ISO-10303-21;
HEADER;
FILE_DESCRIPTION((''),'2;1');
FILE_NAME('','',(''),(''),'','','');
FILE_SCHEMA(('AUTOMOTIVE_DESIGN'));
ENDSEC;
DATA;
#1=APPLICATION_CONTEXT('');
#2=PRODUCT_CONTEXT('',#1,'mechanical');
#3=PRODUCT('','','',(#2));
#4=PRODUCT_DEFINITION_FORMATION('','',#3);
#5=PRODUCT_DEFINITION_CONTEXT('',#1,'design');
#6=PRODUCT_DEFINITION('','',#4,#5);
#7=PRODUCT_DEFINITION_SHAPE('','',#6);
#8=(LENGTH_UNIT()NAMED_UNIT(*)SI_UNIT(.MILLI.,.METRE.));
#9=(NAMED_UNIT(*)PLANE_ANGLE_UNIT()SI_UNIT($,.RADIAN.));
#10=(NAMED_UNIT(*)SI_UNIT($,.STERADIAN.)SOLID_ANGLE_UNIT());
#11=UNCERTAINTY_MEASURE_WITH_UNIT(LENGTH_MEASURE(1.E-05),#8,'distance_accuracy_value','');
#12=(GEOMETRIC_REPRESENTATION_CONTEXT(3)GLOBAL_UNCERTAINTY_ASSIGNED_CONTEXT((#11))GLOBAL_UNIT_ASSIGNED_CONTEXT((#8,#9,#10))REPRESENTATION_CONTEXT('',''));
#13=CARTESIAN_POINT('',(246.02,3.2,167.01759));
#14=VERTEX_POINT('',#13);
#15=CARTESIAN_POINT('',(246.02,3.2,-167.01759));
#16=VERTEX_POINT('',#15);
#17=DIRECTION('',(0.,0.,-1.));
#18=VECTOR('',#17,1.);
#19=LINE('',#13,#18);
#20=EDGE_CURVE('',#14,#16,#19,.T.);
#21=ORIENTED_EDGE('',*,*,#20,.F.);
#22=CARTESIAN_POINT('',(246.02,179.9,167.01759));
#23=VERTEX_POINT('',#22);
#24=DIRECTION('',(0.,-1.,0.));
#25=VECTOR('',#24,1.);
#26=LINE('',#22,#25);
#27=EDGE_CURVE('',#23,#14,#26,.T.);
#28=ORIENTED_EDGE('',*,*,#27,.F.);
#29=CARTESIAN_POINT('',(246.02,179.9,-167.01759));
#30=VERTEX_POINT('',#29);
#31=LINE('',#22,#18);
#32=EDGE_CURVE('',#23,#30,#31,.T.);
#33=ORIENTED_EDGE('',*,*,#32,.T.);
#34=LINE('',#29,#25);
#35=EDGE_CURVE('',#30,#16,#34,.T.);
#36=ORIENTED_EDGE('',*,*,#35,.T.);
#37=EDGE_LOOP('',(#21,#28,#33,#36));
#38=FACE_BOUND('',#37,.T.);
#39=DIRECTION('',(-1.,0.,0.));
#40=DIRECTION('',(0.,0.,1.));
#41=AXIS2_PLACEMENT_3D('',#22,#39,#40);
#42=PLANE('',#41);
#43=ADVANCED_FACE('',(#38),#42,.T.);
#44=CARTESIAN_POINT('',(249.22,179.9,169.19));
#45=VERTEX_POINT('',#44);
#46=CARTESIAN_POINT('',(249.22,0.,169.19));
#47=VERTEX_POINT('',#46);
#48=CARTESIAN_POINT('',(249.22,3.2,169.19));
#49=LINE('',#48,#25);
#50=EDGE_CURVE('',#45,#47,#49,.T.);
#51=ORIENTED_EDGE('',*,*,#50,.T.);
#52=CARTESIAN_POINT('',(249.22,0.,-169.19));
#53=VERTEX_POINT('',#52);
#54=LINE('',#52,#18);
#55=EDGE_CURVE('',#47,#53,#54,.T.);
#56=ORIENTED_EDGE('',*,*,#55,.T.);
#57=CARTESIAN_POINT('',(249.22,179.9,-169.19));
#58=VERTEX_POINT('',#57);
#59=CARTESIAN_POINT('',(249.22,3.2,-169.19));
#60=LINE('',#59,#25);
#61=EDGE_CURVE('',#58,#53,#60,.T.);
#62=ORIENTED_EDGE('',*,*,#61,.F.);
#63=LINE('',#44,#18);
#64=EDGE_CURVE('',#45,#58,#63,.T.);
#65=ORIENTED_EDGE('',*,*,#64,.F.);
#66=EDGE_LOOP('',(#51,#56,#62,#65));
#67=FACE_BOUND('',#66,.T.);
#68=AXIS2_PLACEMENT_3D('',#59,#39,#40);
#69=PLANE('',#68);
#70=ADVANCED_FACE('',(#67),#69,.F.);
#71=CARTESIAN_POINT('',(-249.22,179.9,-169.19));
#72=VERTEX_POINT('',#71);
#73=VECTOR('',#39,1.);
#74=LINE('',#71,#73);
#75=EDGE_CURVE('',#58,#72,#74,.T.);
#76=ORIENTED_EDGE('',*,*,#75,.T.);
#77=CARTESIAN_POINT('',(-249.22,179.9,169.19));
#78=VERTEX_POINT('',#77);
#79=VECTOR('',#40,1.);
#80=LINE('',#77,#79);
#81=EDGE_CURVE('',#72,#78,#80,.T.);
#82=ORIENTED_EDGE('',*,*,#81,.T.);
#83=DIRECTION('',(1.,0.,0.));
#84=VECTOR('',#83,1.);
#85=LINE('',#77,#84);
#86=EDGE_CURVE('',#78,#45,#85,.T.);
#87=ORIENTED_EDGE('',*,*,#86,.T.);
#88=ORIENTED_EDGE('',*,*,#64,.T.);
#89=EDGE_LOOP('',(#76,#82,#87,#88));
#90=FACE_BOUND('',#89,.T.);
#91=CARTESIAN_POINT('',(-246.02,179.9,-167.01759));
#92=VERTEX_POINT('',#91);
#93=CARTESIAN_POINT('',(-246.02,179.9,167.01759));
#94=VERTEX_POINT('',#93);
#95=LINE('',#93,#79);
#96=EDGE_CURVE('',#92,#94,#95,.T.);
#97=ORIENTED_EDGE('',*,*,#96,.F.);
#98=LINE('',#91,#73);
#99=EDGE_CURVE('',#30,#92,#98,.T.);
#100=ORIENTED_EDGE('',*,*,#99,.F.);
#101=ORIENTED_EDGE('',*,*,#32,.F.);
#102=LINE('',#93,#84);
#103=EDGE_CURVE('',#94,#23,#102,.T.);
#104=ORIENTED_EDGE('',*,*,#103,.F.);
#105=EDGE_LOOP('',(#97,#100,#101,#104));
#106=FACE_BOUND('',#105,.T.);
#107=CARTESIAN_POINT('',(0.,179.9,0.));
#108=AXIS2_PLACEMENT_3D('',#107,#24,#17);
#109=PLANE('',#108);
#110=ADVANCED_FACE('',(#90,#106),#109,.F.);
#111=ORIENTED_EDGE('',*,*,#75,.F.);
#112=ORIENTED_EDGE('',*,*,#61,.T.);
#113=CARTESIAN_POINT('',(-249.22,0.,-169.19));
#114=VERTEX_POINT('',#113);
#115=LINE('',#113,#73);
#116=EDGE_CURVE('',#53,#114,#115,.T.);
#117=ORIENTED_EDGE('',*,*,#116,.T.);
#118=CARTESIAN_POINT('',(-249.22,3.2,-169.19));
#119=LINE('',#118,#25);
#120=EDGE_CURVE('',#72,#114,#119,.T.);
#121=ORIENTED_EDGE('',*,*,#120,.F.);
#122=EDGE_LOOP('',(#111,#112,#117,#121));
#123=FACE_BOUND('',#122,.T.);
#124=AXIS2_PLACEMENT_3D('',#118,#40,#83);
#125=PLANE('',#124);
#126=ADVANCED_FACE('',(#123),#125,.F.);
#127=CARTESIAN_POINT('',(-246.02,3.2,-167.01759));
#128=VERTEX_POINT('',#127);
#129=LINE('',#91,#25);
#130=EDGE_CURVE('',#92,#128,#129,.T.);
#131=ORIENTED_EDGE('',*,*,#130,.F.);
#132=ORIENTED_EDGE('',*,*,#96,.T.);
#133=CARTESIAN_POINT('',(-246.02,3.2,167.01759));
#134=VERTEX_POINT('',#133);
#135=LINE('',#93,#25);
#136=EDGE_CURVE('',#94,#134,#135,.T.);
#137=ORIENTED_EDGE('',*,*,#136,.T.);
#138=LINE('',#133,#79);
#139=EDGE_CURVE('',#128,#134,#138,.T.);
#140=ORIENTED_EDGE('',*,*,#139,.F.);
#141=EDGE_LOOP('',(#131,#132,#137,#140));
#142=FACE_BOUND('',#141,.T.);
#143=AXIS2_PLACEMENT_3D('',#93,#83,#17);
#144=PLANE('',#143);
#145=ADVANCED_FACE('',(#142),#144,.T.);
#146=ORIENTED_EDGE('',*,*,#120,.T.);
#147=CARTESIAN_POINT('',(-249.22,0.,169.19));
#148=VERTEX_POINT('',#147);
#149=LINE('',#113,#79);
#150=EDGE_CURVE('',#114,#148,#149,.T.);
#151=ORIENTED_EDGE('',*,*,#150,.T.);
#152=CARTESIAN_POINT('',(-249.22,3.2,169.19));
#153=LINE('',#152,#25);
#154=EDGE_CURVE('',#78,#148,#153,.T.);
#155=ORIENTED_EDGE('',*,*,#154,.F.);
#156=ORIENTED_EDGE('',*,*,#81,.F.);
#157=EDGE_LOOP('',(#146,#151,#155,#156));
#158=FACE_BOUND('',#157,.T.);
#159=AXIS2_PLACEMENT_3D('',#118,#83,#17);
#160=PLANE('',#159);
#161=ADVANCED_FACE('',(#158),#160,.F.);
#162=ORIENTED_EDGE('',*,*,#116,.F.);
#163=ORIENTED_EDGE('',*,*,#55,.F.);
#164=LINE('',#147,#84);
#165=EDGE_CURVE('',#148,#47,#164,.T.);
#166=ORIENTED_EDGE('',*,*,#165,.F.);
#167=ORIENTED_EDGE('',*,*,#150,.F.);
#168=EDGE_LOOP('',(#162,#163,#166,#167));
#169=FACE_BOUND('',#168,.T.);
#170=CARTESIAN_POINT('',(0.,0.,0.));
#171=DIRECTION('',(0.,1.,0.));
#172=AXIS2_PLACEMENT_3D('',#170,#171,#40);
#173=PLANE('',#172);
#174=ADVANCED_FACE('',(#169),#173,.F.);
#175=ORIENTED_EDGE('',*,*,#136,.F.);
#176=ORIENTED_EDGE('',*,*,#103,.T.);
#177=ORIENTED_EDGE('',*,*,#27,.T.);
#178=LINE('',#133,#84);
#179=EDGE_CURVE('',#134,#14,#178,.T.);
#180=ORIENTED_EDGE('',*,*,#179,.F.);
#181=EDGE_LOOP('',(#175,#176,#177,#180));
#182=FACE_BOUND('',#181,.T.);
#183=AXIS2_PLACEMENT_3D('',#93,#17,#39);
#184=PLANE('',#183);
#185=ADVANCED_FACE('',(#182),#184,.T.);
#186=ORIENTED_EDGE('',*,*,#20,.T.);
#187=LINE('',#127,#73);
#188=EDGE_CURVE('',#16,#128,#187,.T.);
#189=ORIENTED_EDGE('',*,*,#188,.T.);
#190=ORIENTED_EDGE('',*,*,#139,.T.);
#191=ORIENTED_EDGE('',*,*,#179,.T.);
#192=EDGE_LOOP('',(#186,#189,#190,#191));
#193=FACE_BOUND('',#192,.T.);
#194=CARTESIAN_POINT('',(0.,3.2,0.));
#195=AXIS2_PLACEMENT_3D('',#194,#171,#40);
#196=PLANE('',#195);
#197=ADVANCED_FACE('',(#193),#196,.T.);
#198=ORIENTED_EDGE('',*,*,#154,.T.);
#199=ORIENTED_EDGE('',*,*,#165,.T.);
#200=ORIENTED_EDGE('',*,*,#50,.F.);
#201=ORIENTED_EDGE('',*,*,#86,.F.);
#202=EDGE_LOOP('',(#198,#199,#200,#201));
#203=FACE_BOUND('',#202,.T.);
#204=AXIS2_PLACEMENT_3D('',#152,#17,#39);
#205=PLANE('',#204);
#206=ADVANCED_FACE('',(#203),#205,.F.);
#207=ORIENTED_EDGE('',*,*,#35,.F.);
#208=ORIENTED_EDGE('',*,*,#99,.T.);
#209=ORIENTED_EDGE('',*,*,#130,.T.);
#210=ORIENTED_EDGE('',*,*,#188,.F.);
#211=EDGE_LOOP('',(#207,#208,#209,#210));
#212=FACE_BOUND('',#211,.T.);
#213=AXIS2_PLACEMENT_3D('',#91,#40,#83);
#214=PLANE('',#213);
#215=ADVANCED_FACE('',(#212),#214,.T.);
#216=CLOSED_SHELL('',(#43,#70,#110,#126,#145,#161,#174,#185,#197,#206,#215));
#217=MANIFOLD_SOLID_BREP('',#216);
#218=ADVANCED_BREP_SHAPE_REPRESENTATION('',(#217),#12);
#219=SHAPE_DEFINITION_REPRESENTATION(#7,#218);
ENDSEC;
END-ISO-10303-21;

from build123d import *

# Parameters (mm, degrees)
SKETCH1_W           = 498.44
SKETCH1_H           = 338.38
BOSS_EXTRUDE1_DEPTH = 3.2
SKETCH2_W           = 498.44
SKETCH2_H           = 338.38
SKETCH2_W_2         = 492.04
SKETCH2_H_2         = 334.035180162
BOSS_EXTRUDE2_DEPTH = 176.7


with BuildPart() as part:
    # Sketch1 → Boss-Extrude1 (new body)
    with BuildSketch(Plane(origin=(0, 0, 0), x_dir=(1, 0, 0), z_dir=(0, 1, 0))):
        Rectangle(SKETCH1_W, SKETCH1_H)
    extrude(amount=BOSS_EXTRUDE1_DEPTH)

    # Sketch2 → Boss-Extrude2 (add)
    with BuildSketch(Plane(origin=(0, 3.2, 0), x_dir=(1, 0, 0), z_dir=(0, 1, 0))):
        Rectangle(SKETCH2_W, SKETCH2_H)
        Rectangle(SKETCH2_W_2, SKETCH2_H_2, mode=Mode.SUBTRACT)
    extrude(amount=BOSS_EXTRUDE2_DEPTH)


solid = part.part
